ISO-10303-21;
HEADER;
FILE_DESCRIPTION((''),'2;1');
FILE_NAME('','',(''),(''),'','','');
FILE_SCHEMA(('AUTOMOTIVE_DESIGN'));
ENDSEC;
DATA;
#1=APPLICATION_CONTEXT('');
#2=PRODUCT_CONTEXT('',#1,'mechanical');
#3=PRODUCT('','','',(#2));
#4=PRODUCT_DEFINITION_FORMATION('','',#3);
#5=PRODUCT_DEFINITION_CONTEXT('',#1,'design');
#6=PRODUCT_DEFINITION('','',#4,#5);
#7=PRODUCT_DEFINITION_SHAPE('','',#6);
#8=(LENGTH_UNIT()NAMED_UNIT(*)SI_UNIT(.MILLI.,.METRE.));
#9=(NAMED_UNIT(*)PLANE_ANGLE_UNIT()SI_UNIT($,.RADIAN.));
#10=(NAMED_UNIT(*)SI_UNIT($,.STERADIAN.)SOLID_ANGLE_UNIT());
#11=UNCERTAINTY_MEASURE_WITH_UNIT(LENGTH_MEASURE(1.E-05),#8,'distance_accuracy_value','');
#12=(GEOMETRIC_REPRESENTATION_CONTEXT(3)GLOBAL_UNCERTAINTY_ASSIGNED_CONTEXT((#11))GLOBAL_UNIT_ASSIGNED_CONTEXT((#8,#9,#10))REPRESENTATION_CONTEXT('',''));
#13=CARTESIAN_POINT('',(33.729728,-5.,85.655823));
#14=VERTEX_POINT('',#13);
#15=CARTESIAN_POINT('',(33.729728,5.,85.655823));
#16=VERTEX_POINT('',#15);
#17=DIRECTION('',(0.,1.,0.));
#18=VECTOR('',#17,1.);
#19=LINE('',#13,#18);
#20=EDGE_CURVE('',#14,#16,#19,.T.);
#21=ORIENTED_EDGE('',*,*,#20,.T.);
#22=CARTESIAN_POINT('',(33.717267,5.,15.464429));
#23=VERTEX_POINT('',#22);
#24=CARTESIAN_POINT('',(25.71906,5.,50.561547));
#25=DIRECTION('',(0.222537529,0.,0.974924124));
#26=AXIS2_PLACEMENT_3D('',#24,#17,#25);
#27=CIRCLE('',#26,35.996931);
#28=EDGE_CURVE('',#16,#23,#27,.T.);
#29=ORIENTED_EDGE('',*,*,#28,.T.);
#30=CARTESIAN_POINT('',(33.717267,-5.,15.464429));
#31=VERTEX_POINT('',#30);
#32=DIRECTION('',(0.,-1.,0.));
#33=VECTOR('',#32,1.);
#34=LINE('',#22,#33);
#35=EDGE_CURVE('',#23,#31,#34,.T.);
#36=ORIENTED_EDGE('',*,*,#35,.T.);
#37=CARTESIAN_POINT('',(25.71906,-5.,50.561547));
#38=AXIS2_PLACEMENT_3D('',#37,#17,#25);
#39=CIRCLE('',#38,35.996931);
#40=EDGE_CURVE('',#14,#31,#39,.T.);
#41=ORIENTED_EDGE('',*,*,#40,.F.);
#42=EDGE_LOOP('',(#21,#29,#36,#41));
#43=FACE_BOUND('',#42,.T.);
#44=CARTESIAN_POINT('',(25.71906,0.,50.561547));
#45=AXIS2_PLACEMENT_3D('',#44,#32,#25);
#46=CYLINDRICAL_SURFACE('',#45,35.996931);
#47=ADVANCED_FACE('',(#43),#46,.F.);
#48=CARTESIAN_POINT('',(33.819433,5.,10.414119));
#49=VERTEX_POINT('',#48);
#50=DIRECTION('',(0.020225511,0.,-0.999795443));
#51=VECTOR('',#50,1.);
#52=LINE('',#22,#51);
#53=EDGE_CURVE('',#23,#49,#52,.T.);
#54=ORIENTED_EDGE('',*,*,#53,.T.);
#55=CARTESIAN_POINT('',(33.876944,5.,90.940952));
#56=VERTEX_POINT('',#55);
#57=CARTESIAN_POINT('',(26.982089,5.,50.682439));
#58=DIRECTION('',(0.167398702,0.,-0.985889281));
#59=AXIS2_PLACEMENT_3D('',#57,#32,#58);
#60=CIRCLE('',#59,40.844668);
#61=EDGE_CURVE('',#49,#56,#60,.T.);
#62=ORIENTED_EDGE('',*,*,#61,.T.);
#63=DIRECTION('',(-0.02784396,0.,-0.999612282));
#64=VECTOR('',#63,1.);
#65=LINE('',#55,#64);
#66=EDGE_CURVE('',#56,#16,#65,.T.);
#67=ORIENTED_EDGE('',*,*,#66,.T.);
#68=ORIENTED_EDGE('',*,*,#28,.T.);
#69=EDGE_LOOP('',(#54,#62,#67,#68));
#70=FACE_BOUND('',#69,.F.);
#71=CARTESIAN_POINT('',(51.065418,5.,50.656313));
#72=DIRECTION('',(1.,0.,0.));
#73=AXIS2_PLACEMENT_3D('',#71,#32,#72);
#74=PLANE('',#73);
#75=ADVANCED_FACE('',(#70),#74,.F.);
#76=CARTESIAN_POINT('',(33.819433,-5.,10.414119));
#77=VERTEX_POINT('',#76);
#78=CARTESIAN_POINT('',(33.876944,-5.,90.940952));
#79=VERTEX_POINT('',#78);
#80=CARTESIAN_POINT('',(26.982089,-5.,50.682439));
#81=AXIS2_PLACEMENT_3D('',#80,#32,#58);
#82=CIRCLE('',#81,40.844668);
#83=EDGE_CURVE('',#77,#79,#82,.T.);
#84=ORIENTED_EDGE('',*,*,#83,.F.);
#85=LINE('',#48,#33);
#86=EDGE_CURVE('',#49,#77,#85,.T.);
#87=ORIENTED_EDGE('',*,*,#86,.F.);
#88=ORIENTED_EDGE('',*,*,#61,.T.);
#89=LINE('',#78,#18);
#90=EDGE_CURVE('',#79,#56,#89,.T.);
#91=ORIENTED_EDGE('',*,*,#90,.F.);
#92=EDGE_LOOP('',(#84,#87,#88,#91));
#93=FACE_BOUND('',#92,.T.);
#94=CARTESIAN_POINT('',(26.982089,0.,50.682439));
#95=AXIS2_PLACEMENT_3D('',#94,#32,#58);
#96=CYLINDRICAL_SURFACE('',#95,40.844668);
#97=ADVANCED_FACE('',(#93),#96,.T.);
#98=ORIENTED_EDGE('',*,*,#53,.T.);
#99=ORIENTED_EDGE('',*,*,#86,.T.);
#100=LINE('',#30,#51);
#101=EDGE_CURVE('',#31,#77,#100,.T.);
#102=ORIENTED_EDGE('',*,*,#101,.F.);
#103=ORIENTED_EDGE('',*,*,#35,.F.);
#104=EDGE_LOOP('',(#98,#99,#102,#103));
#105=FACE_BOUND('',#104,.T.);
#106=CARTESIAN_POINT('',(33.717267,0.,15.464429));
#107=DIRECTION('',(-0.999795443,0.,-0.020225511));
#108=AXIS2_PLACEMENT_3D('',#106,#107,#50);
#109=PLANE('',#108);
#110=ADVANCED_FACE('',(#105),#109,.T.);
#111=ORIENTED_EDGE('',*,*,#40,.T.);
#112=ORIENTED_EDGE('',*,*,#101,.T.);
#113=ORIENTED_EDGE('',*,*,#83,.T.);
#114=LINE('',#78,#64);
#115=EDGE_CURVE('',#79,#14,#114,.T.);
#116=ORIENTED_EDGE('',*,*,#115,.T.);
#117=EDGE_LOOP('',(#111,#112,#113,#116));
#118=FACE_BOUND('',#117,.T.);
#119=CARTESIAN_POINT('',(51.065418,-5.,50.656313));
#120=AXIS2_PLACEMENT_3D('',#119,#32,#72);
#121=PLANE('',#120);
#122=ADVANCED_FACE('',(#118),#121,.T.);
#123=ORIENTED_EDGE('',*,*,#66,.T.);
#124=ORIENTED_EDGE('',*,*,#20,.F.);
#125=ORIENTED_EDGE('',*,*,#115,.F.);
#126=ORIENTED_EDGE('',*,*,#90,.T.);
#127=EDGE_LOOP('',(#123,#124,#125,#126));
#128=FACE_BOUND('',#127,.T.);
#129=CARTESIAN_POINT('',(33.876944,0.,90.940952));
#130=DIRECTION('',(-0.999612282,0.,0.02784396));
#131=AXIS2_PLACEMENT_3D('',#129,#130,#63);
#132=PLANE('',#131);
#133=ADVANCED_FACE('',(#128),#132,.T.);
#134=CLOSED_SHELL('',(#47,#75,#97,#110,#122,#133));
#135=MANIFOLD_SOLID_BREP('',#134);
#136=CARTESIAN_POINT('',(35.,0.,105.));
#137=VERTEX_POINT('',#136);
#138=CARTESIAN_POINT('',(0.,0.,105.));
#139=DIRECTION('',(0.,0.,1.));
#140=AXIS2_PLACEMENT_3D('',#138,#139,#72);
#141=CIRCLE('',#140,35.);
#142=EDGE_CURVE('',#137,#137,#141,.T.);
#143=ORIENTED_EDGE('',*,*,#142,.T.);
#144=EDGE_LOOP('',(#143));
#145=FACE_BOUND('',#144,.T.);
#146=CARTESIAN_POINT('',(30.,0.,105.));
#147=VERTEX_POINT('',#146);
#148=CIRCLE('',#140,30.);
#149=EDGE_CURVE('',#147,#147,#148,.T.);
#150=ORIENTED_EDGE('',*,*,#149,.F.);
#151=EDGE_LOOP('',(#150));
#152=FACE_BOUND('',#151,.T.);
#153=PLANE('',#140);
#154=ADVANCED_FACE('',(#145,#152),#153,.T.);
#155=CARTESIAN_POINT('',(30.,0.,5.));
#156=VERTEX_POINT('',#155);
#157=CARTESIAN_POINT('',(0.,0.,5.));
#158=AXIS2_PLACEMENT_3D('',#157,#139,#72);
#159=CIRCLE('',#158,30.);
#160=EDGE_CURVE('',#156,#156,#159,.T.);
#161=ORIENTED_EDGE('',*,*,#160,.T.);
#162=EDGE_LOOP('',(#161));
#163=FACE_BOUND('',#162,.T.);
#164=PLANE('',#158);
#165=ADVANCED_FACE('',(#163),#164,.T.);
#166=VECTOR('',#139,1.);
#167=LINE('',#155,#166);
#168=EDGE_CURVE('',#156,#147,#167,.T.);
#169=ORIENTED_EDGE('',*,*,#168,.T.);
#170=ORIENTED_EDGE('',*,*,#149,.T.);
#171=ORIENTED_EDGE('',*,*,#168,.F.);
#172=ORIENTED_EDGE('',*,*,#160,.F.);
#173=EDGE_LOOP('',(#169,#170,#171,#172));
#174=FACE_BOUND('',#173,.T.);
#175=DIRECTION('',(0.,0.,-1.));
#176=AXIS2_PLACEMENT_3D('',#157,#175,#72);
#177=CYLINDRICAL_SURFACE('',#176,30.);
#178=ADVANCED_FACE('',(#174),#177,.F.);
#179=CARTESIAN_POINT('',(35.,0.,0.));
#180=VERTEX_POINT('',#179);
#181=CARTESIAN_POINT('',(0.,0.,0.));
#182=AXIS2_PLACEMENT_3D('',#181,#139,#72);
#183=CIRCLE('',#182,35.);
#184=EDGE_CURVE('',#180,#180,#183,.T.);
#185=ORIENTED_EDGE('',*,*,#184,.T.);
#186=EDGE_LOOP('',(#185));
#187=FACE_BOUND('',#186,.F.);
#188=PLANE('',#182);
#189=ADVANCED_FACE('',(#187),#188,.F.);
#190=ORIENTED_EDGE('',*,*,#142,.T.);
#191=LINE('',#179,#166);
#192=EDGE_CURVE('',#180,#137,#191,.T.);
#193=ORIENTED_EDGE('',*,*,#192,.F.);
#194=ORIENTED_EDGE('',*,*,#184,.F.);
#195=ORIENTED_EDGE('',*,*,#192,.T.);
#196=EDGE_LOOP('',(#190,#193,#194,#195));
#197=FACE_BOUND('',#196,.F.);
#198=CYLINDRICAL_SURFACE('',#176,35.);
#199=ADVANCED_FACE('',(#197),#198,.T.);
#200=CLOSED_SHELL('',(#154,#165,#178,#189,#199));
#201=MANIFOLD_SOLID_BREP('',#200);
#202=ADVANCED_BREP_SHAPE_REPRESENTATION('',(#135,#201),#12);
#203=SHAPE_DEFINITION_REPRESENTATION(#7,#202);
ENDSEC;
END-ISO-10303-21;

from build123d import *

# Parameters (mm, degrees)
F0_R     = 35
F1_DEPTH = 5
F2_R     = 35
F2_R_2   = 30
F3_DEPTH = 100
F5_DEPTH = 5


with BuildPart() as f1:
    # F0 (on Top) → F1 (new body)
    with BuildSketch(Plane.XY):
        Circle(F0_R)
    extrude(amount=F1_DEPTH)

    # F2 (on face) → F3 (join)
    with BuildSketch(Plane.XY.offset(5)):
        Circle(F2_R)
        Circle(F2_R_2, mode=Mode.SUBTRACT)
    extrude(amount=F3_DEPTH)


with BuildPart() as f5:
    # F4 (on Front) → F5 (new body, symmetric)
    with BuildSketch(Plane.XZ):
        with BuildLine():
            ThreePointArc((33.729728, 85.655823), (61.71599, 50.555157), (33.717267, 15.464429))
            Line((33.717267, 15.464429), (33.819433, 10.414119))
            ThreePointArc((33.819433, 10.414119), (67.826746, 50.653269), (33.876944, 90.940952))
            Line((33.876944, 90.940952), (33.729728, 85.655823))
        make_face()
    extrude(amount=F5_DEPTH, both=True)


solid = Compound([f1.part, f5.part])
